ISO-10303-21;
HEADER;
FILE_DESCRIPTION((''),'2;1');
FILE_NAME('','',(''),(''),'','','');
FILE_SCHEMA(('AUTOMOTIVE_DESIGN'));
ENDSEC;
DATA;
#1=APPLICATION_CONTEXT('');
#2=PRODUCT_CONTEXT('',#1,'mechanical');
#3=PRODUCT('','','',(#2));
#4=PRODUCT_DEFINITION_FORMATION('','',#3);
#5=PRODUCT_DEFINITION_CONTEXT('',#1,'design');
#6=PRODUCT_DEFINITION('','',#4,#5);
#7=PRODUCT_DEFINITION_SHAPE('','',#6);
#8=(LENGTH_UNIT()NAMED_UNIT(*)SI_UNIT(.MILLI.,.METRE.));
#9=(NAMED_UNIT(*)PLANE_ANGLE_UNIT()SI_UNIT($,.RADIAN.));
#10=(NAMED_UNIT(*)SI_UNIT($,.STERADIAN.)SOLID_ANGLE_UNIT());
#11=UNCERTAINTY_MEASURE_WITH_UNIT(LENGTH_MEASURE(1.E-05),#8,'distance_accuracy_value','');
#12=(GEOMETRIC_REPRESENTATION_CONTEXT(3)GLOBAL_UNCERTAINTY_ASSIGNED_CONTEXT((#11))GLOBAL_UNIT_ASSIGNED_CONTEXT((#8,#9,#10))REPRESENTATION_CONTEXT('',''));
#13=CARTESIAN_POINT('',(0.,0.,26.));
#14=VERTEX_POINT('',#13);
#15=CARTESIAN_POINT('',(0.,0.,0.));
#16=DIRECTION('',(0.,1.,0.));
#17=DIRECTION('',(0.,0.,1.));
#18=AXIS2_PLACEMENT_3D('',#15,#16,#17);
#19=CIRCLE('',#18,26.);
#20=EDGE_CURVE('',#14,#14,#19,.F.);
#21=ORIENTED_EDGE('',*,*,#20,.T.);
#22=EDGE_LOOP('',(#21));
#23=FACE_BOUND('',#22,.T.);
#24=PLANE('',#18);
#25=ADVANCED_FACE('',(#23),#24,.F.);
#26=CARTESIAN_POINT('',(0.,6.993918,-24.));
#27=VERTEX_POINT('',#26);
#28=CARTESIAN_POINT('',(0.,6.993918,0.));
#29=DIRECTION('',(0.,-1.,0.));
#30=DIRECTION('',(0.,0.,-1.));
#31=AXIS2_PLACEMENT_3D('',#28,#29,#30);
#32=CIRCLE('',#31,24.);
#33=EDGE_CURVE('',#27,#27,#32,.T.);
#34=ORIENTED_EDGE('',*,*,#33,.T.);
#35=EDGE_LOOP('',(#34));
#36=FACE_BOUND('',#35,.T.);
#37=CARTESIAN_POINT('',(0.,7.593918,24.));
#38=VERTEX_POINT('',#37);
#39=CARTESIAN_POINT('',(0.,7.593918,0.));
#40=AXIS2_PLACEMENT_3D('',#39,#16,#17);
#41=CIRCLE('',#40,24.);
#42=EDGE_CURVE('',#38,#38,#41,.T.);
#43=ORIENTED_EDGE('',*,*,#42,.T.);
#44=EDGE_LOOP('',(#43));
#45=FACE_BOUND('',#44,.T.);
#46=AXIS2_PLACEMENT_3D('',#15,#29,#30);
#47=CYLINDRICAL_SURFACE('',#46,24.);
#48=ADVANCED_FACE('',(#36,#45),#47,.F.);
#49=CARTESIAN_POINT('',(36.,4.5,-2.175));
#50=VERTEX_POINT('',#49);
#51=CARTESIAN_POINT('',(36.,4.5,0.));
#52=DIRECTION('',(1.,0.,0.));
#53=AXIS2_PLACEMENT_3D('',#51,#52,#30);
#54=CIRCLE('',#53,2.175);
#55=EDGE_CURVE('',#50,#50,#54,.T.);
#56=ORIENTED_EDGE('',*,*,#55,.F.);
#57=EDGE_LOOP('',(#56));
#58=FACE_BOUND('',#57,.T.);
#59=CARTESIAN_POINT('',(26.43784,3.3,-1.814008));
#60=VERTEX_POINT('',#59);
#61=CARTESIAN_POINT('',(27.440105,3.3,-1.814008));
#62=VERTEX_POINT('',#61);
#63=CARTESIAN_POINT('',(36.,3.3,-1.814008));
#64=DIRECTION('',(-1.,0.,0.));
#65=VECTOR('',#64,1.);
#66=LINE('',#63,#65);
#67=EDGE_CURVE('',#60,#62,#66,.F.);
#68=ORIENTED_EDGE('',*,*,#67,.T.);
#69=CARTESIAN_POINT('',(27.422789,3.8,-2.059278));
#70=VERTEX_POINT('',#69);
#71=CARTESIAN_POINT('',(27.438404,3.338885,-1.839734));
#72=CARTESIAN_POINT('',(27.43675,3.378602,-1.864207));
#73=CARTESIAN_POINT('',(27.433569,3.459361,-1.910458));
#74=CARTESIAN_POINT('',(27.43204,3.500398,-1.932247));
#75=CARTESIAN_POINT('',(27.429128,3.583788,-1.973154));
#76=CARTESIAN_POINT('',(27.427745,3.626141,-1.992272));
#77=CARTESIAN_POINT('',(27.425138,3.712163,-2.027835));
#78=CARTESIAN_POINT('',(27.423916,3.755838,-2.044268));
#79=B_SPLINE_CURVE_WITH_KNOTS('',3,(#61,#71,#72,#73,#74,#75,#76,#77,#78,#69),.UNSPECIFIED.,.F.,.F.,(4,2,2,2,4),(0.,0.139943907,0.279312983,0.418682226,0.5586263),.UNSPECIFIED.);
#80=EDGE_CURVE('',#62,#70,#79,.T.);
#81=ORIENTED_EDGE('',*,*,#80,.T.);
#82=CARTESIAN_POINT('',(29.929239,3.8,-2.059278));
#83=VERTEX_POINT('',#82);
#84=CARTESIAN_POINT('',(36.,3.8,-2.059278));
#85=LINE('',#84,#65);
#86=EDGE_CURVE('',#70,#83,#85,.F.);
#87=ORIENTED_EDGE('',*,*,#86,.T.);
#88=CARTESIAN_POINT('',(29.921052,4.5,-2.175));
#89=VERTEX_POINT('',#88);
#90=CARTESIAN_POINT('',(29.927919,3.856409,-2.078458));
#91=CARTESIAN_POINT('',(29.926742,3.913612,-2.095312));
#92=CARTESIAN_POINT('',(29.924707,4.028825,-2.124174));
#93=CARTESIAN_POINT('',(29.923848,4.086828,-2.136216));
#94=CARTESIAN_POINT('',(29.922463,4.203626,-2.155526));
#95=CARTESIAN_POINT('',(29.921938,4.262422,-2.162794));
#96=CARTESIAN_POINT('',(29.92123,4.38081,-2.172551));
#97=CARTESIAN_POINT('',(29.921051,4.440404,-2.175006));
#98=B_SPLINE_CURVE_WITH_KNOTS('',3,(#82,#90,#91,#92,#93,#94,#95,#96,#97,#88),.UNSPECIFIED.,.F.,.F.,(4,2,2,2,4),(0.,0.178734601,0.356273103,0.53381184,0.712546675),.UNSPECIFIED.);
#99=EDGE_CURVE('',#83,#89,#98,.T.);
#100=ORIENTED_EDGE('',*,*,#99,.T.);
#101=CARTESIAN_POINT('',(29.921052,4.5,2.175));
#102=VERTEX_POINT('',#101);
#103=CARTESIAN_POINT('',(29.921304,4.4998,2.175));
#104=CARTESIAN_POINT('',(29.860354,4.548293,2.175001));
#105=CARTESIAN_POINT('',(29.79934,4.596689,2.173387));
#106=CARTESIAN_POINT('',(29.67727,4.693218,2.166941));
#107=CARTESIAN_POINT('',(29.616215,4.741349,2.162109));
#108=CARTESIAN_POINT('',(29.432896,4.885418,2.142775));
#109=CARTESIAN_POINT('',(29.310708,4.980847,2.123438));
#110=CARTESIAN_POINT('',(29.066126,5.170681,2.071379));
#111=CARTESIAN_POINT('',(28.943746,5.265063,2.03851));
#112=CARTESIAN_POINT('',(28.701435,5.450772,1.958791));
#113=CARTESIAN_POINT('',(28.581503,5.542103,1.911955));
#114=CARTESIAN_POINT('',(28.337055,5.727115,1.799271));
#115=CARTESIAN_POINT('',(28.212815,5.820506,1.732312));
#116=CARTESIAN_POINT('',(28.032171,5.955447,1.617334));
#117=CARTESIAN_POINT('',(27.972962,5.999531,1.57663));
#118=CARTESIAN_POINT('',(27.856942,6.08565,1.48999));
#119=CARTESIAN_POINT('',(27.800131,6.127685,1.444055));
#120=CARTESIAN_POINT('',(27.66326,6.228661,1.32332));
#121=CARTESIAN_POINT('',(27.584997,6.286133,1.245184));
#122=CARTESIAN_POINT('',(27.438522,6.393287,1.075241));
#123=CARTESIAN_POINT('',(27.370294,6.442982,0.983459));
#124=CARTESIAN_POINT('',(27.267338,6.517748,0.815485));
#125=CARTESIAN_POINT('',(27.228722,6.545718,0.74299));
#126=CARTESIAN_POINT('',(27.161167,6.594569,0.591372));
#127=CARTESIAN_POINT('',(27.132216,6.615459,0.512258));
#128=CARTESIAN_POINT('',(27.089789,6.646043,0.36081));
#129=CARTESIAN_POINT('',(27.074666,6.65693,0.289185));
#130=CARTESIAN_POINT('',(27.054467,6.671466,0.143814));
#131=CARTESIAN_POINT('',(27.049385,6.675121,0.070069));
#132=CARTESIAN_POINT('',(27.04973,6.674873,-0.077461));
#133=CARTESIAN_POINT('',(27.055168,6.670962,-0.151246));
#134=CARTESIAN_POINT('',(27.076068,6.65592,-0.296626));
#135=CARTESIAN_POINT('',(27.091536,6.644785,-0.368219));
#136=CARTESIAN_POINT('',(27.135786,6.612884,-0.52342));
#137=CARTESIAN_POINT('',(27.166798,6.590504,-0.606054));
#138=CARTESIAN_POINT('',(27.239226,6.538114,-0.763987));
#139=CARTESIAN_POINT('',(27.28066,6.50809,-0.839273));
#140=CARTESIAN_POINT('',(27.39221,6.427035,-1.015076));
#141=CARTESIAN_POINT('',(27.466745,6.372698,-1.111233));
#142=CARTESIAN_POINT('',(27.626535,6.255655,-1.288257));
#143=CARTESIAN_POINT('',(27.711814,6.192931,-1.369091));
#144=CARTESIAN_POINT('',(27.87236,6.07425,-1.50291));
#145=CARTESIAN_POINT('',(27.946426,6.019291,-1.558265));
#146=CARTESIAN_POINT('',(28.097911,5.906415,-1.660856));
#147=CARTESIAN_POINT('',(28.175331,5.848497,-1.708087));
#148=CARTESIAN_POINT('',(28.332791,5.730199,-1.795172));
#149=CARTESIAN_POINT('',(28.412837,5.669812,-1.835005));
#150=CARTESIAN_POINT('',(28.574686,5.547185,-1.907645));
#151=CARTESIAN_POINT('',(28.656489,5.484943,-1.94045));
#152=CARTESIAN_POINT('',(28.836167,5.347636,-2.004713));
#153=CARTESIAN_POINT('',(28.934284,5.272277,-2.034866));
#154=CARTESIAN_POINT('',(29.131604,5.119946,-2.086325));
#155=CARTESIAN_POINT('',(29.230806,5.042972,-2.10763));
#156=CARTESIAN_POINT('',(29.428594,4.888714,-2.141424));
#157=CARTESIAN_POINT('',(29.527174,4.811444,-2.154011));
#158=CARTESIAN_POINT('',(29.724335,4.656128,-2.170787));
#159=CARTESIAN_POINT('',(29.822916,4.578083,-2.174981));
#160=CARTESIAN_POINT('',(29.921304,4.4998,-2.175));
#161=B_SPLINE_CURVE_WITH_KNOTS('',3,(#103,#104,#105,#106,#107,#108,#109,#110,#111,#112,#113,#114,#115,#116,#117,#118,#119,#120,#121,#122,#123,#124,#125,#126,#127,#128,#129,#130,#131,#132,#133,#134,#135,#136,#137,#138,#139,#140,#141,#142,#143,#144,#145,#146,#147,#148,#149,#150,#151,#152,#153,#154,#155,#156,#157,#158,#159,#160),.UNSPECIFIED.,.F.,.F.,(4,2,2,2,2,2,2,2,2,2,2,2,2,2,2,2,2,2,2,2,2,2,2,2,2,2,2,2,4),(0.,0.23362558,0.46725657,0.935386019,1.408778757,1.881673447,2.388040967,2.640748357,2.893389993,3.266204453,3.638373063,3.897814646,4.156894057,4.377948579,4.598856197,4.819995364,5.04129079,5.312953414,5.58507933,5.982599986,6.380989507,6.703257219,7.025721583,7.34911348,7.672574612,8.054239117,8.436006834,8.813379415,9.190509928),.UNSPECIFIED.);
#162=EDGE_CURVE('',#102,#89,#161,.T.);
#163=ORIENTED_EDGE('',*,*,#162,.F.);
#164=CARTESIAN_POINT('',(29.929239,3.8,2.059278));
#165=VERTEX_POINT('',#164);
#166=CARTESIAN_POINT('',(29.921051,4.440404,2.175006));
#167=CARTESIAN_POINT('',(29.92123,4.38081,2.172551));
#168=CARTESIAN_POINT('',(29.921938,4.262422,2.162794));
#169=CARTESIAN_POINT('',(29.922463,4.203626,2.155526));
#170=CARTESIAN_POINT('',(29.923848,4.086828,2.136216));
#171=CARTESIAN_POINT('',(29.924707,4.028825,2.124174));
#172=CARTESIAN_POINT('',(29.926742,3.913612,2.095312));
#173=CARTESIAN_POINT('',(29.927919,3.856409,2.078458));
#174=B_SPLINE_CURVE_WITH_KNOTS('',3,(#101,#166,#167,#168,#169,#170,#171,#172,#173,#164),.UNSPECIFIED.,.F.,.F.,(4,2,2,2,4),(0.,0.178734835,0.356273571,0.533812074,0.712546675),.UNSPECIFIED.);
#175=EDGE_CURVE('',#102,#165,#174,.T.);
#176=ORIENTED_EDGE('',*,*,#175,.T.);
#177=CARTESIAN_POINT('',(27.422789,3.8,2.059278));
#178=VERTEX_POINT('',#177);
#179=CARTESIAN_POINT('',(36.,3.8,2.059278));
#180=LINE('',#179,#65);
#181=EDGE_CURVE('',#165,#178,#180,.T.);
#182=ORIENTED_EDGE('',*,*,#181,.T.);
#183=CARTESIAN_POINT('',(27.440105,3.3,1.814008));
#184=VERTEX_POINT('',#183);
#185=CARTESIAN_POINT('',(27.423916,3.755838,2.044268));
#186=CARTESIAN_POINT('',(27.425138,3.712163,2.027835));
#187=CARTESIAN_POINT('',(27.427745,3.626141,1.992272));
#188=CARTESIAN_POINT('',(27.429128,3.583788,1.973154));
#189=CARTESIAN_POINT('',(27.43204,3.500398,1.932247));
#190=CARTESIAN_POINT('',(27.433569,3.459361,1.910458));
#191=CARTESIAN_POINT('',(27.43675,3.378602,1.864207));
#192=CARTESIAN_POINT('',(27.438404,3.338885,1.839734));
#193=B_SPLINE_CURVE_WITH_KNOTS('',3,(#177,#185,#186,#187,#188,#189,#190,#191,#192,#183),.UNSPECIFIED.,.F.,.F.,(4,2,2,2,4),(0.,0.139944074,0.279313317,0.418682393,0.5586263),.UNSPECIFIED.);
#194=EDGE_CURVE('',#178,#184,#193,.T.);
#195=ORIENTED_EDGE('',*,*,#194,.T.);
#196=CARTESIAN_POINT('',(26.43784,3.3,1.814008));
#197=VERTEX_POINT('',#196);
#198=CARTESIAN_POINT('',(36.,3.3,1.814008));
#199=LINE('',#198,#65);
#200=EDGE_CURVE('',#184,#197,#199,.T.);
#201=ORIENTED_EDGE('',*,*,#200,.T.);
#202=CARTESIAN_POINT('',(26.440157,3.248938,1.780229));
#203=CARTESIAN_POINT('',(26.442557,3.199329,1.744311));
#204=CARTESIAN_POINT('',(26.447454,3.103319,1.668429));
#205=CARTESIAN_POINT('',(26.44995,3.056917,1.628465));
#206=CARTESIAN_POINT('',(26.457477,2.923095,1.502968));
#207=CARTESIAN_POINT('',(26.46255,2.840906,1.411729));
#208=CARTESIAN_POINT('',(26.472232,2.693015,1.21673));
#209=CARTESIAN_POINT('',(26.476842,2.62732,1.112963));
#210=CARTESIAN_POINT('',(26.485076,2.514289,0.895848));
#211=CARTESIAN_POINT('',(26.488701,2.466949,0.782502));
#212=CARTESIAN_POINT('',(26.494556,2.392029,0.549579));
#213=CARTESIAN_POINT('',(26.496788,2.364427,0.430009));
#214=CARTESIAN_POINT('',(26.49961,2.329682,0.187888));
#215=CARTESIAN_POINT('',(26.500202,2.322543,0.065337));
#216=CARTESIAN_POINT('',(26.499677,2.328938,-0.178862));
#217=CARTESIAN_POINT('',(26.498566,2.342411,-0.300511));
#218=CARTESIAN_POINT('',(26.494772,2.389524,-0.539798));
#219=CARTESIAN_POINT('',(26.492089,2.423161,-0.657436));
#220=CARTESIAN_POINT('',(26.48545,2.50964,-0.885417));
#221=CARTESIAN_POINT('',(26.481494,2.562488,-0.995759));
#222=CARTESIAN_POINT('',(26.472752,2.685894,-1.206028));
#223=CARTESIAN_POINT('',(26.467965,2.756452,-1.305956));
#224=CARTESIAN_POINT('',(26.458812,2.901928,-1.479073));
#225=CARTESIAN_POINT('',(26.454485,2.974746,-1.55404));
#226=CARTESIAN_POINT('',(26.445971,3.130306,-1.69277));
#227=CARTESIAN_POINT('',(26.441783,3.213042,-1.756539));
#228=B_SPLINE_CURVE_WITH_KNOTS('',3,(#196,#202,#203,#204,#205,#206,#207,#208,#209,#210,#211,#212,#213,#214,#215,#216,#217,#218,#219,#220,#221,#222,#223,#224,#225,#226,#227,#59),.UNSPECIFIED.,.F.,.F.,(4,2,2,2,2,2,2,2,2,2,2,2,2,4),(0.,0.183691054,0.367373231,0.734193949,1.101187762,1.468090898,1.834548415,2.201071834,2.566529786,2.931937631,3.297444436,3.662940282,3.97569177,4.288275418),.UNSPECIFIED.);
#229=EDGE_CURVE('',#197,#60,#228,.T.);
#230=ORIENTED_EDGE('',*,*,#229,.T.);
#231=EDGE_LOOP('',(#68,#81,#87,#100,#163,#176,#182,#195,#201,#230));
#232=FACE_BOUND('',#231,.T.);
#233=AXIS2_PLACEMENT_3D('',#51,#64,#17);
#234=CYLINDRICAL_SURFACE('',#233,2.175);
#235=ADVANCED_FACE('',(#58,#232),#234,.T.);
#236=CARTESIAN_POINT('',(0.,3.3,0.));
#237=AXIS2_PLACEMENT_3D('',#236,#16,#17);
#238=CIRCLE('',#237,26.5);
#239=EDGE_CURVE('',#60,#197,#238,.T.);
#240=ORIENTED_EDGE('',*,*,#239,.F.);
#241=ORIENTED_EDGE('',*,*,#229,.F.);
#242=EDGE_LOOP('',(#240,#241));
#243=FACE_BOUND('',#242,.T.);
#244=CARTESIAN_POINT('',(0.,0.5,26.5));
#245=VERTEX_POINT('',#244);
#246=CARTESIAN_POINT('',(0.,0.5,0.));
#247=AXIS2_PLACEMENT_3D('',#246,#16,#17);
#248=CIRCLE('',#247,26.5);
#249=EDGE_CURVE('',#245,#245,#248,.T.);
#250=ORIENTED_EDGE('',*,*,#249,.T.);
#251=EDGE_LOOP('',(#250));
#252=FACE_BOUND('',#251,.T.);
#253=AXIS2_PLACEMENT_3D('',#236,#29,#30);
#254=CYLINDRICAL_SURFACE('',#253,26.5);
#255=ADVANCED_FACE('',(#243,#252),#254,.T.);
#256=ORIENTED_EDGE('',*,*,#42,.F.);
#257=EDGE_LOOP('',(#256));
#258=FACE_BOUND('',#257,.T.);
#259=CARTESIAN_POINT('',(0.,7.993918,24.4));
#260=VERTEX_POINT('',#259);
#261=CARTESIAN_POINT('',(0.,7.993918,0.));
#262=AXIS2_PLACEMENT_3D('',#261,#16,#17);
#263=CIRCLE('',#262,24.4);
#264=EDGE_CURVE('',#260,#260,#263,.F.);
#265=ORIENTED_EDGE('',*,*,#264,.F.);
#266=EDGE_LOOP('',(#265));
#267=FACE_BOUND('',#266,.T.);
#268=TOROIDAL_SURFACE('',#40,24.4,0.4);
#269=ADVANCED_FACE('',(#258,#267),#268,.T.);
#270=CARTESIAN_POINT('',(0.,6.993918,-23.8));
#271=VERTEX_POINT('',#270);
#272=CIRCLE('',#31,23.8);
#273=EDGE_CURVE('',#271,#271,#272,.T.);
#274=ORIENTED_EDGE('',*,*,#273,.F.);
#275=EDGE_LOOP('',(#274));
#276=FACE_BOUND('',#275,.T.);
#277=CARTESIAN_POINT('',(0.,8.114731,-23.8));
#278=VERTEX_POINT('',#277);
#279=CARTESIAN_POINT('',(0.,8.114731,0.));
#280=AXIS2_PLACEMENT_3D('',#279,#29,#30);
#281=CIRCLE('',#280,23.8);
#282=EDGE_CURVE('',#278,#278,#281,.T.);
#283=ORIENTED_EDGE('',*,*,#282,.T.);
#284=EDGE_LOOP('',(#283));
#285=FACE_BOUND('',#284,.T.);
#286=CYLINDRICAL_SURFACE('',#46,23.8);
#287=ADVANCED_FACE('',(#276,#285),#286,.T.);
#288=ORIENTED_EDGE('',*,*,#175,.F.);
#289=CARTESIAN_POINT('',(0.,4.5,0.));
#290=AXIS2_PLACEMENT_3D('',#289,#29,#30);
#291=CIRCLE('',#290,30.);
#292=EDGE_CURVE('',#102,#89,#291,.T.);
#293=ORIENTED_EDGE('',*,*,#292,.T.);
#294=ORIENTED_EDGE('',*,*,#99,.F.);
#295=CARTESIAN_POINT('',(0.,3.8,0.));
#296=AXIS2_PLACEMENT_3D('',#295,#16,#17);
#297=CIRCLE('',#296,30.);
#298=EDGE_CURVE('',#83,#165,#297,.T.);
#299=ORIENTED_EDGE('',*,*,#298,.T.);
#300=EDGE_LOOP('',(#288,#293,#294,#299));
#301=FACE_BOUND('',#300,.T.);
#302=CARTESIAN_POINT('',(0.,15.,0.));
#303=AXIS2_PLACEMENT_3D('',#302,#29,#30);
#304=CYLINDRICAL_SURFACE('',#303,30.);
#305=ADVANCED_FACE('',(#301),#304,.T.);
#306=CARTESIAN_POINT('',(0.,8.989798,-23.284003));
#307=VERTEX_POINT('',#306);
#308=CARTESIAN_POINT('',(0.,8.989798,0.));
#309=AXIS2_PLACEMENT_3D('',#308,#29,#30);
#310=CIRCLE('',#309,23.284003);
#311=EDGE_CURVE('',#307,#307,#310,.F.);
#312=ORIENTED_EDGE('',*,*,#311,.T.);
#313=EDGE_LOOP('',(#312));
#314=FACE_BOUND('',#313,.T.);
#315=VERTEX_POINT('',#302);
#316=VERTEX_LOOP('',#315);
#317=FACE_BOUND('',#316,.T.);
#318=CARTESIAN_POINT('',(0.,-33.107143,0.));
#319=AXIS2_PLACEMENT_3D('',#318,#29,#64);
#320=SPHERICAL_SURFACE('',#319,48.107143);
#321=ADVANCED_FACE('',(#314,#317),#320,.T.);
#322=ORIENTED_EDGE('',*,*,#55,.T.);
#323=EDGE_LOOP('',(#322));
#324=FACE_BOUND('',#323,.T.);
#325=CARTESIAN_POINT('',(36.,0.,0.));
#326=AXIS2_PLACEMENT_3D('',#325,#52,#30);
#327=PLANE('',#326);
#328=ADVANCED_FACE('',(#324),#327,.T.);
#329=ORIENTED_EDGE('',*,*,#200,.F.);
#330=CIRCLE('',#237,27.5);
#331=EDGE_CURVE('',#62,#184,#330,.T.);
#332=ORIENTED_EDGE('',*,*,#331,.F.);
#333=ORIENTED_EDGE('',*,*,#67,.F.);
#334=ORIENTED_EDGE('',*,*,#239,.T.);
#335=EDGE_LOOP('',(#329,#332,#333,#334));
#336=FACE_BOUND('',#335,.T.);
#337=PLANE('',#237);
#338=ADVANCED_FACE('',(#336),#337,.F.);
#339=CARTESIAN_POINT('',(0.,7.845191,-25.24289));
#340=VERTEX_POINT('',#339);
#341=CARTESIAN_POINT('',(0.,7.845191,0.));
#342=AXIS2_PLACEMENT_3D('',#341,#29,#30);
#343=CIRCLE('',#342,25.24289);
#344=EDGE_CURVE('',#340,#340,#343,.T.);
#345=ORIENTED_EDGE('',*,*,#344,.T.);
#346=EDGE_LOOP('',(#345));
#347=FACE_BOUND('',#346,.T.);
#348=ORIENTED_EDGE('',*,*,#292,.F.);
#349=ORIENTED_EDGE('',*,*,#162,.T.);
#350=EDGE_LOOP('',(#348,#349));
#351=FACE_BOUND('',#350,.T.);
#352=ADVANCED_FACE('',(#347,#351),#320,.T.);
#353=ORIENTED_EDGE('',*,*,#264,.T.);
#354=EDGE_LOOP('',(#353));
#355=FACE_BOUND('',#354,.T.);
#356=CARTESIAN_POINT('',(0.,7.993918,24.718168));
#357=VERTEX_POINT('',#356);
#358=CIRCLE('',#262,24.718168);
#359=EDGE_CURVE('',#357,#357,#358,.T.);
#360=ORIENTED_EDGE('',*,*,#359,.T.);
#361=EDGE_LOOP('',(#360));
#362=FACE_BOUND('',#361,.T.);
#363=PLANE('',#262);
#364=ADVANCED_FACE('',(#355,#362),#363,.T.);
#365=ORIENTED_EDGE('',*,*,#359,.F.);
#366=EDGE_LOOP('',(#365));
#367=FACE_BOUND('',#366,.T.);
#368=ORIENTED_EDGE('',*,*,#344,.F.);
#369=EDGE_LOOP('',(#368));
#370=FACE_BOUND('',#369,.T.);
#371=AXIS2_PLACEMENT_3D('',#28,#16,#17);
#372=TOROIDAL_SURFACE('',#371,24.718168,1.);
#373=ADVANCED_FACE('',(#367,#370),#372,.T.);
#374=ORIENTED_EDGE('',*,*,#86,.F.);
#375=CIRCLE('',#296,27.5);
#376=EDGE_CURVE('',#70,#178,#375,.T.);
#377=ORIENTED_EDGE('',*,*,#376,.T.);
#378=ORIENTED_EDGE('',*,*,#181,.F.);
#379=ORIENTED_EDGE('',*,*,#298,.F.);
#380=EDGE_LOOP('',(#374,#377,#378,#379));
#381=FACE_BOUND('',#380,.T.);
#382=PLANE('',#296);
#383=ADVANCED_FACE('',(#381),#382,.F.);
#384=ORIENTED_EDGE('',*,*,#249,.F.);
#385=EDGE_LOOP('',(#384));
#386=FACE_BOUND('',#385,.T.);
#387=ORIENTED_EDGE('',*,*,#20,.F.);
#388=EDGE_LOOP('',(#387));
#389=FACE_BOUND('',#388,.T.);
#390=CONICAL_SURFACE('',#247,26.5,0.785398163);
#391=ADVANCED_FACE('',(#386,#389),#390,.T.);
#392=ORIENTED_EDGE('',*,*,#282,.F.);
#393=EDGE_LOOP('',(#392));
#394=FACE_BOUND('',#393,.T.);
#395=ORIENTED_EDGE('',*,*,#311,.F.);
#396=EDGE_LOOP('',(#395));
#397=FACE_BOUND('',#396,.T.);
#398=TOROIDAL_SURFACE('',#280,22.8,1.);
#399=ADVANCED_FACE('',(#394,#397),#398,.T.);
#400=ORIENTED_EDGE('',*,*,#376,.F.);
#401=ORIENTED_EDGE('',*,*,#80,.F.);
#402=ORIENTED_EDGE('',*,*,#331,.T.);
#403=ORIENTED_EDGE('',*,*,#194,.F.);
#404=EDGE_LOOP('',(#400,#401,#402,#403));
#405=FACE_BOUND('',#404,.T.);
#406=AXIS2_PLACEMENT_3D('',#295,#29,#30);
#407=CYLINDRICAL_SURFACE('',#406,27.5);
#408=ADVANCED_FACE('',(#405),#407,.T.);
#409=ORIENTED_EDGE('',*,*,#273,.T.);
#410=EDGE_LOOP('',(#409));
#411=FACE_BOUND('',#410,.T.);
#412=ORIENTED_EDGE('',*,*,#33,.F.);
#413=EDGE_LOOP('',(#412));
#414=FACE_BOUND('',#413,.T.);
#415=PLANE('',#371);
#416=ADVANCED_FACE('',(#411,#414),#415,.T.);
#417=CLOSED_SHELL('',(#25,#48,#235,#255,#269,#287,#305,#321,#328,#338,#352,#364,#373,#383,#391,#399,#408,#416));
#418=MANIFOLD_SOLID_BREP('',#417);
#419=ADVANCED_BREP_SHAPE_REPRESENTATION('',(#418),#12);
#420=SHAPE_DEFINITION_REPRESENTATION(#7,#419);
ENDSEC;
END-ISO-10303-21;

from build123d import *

# Parameters (mm, degrees)
SKETCH_1_R           = 30
EXTRUDE_1_DEPTH      = 15
SKETCH_2_OUTSIDE_W   = 79.234
SKETCH_2_OUTSIDE_H   = 79.234
SKETCH_2_OUTSIDE_R   = 27.5
CUT_EXTRUDE_1_DEPTH  = 3.8
SKETCH_2_3_OUTSIDE_W = 79.234
SKETCH_2_3_OUTSIDE_H = 79.234
SKETCH_2_3_OUTSIDE_R = 26.5
CUT_EXTRUDE_2_DEPTH  = 3.3
EXTRUDE_2_DEPTH      = 36
CHAMFER_1_SIZE       = 0.5
FILLET_1_R           = 1
FILLET_2_R           = 0.4


with BuildPart() as part:
    # Эскиз1 → Бобышка-Вытянуть1 (new body)
    with BuildSketch(Plane(origin=(0, 0, 0), x_dir=(1, 0, 0), z_dir=(0, 1, 0))):
        Circle(SKETCH_1_R)
    extrude(amount=EXTRUDE_1_DEPTH)

    # Эскиз2 outside → Вырез-Вытянуть1 (cut)
    with BuildSketch(Plane(origin=(0, 0, 0), x_dir=(1, 0, 0), z_dir=(0, 1, 0))):
        Rectangle(SKETCH_2_OUTSIDE_W, SKETCH_2_OUTSIDE_H)
        Circle(SKETCH_2_OUTSIDE_R, mode=Mode.SUBTRACT)
    extrude(amount=CUT_EXTRUDE_1_DEPTH, mode=Mode.SUBTRACT)

    # Эскиз2<3> outside → Вырез-Вытянуть2 (cut)
    with BuildSketch(Plane(origin=(0, 0, 0), x_dir=(1, 0, 0), z_dir=(0, 1, 0))):
        Rectangle(SKETCH_2_3_OUTSIDE_W, SKETCH_2_3_OUTSIDE_H)
        Circle(SKETCH_2_3_OUTSIDE_R, mode=Mode.SUBTRACT)
    extrude(amount=CUT_EXTRUDE_2_DEPTH, mode=Mode.SUBTRACT)

    # Эскиз3 → Вырез-Повернуть1 (revolve, cut)
    with BuildSketch(Plane.XY):
        with BuildLine():
            Line((-42.194966184, 4.5), (-30, 4.5))
            ThreePointArc((-30, 4.5), (-27.555432596, 6.326286214), (-25, 7.993917882))
            Line((-25, 7.993917882), (-24, 7.993917882))
            Line((-24, 7.993917882), (-24, 6.993917882))
            Line((-24, 6.993917882), (-23.8, 6.993917882))
            Line((-23.8, 6.993917882), (-23.8, 8.700239193))
            ThreePointArc((-23.8, 8.700239193), (-12.309823173, 13.398399257), (0, 15))
            Line((0, 15), (0, 24.071462315))
            Line((0, 24.071462315), (-42.194966184, 24.071462315))
            Line((-42.194966184, 24.071462315), (-42.194966184, 4.5))
        make_face()
    revolve(axis=Axis((0, 0, 0), (0, 1, 0)), mode=Mode.SUBTRACT)

    # Эскиз4 → Бобышка-Вытянуть2 (add)
    with BuildSketch(Plane(origin=(0, 0, 0), x_dir=(0, 0, -1), z_dir=(1, 0, 0))):
        with BuildLine():
            ThreePointArc((0, 2.325), (1.537957249, 2.962042751), (2.175, 4.5))
            ThreePointArc((2.175, 4.5), (-1.537957249, 6.037957249), (0, 2.325))
        make_face()
    extrude(amount=EXTRUDE_2_DEPTH)

    # Фаска1
    chamfer_1_edges = [part.edges().sort_by_distance(p)[0] for p in [
        (-26.5, 0, 0),
    ]]
    chamfer(chamfer_1_edges, length=CHAMFER_1_SIZE)

    # Скругление1
    fillet_1_edges = [part.edges().sort_by_distance(p)[0] for p in [
        (23.8, 8.700239193, 0),
        (25, 7.993917882, 0),
    ]]
    fillet(fillet_1_edges, radius=FILLET_1_R)

    # Скругление2
    fillet_2_edges = [part.edges().sort_by_distance(p)[0] for p in [
        (24, 7.993917882, 0),
    ]]
    fillet(fillet_2_edges, radius=FILLET_2_R)


solid = part.part
